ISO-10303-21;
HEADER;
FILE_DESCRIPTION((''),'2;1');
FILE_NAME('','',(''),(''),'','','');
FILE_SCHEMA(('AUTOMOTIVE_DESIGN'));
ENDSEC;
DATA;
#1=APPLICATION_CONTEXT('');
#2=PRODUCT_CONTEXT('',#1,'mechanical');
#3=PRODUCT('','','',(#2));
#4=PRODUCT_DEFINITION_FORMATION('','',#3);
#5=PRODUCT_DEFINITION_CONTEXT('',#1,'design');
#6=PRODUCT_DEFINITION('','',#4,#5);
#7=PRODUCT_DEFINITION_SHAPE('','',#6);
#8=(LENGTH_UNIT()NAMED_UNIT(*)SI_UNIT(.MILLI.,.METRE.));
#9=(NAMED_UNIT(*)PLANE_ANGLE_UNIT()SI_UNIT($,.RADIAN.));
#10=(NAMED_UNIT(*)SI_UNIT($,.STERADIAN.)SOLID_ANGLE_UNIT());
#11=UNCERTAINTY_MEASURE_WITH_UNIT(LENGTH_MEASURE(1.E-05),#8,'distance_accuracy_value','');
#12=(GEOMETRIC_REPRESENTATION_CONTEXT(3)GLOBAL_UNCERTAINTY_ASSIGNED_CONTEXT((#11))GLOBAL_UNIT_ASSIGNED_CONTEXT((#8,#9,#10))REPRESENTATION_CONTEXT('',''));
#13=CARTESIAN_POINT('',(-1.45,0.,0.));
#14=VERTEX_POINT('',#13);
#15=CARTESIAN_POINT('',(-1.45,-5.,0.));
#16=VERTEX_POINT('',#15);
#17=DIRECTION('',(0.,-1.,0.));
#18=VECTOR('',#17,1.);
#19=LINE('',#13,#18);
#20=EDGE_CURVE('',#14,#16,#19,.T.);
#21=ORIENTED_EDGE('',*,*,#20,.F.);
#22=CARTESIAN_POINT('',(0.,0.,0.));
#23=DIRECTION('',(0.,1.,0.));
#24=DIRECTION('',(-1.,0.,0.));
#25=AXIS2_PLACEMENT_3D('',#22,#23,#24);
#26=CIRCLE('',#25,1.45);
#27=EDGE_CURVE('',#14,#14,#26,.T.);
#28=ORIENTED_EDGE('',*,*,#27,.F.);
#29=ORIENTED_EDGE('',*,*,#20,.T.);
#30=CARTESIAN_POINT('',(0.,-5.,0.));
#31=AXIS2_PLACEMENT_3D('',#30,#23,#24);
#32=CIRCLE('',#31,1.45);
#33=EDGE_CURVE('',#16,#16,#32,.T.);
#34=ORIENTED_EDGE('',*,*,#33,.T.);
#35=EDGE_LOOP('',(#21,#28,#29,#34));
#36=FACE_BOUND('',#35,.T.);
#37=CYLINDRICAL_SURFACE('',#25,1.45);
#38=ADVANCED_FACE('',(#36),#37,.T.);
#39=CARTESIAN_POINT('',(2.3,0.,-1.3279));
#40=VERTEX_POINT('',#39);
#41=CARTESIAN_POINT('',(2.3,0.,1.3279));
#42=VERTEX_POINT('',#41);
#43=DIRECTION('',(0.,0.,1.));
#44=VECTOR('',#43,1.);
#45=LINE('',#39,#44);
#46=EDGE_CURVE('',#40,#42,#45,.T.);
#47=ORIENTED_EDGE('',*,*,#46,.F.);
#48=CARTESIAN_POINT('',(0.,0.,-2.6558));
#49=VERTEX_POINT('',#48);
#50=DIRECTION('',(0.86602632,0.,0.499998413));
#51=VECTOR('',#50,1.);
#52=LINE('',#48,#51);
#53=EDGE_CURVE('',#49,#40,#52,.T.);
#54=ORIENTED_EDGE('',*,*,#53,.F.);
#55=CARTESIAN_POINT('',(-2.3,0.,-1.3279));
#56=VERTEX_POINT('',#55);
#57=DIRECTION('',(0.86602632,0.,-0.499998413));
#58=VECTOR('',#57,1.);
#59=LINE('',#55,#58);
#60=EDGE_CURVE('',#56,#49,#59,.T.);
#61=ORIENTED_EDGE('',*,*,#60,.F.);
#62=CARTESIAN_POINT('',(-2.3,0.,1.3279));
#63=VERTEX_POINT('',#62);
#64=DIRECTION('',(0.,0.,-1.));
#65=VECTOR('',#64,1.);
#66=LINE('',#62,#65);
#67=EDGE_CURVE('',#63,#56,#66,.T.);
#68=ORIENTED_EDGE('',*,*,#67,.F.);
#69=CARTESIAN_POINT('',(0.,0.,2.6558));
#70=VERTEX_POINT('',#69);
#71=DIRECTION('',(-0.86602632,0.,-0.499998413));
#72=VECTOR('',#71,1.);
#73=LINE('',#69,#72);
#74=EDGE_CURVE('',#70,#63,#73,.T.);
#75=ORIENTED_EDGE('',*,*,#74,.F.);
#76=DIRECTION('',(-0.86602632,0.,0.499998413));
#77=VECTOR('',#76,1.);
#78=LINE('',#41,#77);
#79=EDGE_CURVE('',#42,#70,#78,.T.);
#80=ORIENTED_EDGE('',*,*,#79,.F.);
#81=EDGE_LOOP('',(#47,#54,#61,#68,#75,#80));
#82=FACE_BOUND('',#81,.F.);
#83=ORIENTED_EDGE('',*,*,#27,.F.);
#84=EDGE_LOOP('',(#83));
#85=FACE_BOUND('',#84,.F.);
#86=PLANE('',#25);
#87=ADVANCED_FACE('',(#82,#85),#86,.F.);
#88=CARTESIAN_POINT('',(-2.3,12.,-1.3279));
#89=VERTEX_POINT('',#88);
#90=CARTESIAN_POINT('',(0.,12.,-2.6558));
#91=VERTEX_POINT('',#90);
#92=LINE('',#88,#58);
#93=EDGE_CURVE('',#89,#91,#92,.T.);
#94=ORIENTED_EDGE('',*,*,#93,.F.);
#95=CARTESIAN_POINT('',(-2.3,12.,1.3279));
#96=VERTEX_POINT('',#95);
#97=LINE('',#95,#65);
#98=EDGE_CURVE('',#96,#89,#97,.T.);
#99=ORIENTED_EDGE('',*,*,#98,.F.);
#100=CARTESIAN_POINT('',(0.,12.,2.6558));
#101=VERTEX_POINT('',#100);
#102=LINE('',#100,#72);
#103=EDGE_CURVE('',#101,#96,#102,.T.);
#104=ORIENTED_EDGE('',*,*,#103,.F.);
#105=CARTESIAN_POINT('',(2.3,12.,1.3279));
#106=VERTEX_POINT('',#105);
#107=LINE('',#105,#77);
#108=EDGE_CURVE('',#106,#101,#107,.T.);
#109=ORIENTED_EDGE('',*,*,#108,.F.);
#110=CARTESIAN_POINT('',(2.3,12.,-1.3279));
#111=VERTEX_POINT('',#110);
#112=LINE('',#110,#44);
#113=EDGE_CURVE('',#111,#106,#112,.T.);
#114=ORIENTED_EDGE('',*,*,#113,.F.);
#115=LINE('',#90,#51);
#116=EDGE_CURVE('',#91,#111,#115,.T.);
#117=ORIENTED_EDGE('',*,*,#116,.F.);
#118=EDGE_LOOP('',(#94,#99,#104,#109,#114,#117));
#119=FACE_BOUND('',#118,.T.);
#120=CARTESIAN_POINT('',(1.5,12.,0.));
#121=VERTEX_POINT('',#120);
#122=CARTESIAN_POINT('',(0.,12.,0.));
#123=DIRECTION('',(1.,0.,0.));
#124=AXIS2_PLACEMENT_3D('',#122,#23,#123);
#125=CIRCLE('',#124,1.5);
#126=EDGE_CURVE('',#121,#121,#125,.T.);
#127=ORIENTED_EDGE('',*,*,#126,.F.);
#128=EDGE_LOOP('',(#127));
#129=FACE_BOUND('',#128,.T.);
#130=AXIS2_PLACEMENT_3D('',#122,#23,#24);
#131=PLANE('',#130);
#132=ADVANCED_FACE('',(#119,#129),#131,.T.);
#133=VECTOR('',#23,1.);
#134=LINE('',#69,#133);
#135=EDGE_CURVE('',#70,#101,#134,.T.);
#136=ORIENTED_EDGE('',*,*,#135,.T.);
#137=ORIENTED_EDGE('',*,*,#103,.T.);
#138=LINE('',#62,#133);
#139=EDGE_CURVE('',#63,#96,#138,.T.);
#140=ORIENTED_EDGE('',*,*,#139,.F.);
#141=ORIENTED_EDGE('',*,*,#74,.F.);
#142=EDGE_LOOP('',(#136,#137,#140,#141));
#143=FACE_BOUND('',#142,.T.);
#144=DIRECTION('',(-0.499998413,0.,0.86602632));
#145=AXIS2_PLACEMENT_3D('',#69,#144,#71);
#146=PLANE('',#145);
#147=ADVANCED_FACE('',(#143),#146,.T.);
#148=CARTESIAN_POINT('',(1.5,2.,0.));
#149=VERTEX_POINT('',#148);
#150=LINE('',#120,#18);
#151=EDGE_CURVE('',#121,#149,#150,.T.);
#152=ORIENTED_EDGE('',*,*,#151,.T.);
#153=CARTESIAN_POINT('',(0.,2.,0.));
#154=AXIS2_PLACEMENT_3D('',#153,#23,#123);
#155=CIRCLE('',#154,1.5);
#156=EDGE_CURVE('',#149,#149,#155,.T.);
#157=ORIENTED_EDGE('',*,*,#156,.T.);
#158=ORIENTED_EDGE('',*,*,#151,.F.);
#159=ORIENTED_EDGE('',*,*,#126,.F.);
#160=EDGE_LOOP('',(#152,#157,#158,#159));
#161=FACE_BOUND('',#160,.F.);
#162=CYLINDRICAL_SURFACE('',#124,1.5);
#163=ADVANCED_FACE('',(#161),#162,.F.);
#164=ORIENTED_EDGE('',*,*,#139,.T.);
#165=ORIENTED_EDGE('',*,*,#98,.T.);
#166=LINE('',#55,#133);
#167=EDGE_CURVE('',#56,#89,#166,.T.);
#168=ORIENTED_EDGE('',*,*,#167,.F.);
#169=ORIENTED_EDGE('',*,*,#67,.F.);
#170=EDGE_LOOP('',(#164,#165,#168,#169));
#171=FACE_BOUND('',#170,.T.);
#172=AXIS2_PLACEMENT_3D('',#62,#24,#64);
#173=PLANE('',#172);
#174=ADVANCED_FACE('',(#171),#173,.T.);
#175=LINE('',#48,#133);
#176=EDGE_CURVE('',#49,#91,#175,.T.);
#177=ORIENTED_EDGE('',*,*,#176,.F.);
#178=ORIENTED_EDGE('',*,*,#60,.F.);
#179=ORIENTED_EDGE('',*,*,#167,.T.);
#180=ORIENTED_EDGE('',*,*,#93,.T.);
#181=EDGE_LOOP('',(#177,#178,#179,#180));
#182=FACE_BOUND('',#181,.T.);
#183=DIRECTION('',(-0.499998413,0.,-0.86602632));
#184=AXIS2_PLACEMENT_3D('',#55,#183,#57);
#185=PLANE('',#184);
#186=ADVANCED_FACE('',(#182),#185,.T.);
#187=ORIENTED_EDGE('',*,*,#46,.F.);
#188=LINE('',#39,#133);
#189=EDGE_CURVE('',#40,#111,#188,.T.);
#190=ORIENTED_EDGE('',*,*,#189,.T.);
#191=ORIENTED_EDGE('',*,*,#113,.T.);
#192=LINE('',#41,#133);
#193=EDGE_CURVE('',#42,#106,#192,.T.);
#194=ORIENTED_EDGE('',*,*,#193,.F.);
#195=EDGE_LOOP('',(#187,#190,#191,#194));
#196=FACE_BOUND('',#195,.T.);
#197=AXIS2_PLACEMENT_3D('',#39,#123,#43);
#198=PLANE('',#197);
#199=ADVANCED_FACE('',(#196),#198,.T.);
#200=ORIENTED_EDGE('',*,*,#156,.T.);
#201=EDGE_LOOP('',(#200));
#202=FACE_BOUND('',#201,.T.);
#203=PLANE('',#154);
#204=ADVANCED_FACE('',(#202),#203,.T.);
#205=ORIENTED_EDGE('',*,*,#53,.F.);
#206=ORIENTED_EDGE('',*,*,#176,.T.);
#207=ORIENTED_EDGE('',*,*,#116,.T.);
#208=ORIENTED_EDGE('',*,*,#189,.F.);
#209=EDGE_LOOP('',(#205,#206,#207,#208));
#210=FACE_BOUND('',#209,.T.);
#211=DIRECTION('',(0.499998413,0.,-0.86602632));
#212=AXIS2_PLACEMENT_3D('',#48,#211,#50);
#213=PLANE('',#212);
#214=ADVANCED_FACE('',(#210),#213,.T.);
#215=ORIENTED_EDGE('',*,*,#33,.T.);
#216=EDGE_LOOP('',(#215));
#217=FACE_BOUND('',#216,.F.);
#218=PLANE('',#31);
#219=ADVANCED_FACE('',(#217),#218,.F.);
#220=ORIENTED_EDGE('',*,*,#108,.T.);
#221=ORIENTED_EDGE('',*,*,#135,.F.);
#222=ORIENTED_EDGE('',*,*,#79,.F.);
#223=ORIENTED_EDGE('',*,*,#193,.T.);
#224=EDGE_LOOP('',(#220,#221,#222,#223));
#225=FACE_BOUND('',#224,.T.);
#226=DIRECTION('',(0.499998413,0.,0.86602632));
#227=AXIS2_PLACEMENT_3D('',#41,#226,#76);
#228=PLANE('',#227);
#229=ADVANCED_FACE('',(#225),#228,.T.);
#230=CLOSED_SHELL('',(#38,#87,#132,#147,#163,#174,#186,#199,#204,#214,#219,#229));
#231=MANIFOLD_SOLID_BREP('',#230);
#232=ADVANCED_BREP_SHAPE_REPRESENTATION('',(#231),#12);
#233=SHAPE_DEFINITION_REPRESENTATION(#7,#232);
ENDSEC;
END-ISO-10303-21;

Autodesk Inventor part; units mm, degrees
ref_plane "YZ Plane" through (0, 0, 0) normal (1, 0, 0) x (0, 1, 0)
ref_plane "XZ Plane" through (0, 0, 0) normal (0, 1, 0) x (-1, 0, 0)
ref_plane "XY Plane" through (0, 0, 0) normal (0, 0, 1) x (1, 0, 0)
sketch "Sketch1" plane through (0, 0, 0) normal (0, 1, 0) x (-1, 0, 0)
  line L0 (0, -2.6558) -> (-2.3, -1.3279)
  line L1 (-2.3, -1.3279) -> (-2.3, 1.3279)
  line L2 (-2.3, 1.3279) -> (0, 2.6558)
  line L3 (0, 2.6558) -> (2.3, 1.3279)
  line L4 (2.3, 1.3279) -> (2.3, -1.3279)
  line L5 (2.3, -1.3279) -> (0, -2.6558)
  circle A0 centre (0, 0) radius 1.45
  dimension "d4" = 2.9
  dimension "d5" = 4.6
extrude "Extrusion1" add sketch "Sketch1" along normal blind 12 contours L0 L1 L2 L3 L4 L5 | A0
extrude "Extrusion2" add sketch "Sketch1" against normal blind 5 contours A0
sketch "Sketch2" plane through (0, 12, 0) normal (0, 1, 0) x (1, 0, 0)
  circle A0 centre (0, 0) radius 1.45 projected
  circle A1 centre (0, 0) radius 1.45 projected
  circle A2 centre (0, 0) radius 1.5
  dimension "d6" = 3
extrude "Extrusion3" cut sketch "Sketch2" against normal blind 10 contours A0 | A2
properties part number "mounting"
